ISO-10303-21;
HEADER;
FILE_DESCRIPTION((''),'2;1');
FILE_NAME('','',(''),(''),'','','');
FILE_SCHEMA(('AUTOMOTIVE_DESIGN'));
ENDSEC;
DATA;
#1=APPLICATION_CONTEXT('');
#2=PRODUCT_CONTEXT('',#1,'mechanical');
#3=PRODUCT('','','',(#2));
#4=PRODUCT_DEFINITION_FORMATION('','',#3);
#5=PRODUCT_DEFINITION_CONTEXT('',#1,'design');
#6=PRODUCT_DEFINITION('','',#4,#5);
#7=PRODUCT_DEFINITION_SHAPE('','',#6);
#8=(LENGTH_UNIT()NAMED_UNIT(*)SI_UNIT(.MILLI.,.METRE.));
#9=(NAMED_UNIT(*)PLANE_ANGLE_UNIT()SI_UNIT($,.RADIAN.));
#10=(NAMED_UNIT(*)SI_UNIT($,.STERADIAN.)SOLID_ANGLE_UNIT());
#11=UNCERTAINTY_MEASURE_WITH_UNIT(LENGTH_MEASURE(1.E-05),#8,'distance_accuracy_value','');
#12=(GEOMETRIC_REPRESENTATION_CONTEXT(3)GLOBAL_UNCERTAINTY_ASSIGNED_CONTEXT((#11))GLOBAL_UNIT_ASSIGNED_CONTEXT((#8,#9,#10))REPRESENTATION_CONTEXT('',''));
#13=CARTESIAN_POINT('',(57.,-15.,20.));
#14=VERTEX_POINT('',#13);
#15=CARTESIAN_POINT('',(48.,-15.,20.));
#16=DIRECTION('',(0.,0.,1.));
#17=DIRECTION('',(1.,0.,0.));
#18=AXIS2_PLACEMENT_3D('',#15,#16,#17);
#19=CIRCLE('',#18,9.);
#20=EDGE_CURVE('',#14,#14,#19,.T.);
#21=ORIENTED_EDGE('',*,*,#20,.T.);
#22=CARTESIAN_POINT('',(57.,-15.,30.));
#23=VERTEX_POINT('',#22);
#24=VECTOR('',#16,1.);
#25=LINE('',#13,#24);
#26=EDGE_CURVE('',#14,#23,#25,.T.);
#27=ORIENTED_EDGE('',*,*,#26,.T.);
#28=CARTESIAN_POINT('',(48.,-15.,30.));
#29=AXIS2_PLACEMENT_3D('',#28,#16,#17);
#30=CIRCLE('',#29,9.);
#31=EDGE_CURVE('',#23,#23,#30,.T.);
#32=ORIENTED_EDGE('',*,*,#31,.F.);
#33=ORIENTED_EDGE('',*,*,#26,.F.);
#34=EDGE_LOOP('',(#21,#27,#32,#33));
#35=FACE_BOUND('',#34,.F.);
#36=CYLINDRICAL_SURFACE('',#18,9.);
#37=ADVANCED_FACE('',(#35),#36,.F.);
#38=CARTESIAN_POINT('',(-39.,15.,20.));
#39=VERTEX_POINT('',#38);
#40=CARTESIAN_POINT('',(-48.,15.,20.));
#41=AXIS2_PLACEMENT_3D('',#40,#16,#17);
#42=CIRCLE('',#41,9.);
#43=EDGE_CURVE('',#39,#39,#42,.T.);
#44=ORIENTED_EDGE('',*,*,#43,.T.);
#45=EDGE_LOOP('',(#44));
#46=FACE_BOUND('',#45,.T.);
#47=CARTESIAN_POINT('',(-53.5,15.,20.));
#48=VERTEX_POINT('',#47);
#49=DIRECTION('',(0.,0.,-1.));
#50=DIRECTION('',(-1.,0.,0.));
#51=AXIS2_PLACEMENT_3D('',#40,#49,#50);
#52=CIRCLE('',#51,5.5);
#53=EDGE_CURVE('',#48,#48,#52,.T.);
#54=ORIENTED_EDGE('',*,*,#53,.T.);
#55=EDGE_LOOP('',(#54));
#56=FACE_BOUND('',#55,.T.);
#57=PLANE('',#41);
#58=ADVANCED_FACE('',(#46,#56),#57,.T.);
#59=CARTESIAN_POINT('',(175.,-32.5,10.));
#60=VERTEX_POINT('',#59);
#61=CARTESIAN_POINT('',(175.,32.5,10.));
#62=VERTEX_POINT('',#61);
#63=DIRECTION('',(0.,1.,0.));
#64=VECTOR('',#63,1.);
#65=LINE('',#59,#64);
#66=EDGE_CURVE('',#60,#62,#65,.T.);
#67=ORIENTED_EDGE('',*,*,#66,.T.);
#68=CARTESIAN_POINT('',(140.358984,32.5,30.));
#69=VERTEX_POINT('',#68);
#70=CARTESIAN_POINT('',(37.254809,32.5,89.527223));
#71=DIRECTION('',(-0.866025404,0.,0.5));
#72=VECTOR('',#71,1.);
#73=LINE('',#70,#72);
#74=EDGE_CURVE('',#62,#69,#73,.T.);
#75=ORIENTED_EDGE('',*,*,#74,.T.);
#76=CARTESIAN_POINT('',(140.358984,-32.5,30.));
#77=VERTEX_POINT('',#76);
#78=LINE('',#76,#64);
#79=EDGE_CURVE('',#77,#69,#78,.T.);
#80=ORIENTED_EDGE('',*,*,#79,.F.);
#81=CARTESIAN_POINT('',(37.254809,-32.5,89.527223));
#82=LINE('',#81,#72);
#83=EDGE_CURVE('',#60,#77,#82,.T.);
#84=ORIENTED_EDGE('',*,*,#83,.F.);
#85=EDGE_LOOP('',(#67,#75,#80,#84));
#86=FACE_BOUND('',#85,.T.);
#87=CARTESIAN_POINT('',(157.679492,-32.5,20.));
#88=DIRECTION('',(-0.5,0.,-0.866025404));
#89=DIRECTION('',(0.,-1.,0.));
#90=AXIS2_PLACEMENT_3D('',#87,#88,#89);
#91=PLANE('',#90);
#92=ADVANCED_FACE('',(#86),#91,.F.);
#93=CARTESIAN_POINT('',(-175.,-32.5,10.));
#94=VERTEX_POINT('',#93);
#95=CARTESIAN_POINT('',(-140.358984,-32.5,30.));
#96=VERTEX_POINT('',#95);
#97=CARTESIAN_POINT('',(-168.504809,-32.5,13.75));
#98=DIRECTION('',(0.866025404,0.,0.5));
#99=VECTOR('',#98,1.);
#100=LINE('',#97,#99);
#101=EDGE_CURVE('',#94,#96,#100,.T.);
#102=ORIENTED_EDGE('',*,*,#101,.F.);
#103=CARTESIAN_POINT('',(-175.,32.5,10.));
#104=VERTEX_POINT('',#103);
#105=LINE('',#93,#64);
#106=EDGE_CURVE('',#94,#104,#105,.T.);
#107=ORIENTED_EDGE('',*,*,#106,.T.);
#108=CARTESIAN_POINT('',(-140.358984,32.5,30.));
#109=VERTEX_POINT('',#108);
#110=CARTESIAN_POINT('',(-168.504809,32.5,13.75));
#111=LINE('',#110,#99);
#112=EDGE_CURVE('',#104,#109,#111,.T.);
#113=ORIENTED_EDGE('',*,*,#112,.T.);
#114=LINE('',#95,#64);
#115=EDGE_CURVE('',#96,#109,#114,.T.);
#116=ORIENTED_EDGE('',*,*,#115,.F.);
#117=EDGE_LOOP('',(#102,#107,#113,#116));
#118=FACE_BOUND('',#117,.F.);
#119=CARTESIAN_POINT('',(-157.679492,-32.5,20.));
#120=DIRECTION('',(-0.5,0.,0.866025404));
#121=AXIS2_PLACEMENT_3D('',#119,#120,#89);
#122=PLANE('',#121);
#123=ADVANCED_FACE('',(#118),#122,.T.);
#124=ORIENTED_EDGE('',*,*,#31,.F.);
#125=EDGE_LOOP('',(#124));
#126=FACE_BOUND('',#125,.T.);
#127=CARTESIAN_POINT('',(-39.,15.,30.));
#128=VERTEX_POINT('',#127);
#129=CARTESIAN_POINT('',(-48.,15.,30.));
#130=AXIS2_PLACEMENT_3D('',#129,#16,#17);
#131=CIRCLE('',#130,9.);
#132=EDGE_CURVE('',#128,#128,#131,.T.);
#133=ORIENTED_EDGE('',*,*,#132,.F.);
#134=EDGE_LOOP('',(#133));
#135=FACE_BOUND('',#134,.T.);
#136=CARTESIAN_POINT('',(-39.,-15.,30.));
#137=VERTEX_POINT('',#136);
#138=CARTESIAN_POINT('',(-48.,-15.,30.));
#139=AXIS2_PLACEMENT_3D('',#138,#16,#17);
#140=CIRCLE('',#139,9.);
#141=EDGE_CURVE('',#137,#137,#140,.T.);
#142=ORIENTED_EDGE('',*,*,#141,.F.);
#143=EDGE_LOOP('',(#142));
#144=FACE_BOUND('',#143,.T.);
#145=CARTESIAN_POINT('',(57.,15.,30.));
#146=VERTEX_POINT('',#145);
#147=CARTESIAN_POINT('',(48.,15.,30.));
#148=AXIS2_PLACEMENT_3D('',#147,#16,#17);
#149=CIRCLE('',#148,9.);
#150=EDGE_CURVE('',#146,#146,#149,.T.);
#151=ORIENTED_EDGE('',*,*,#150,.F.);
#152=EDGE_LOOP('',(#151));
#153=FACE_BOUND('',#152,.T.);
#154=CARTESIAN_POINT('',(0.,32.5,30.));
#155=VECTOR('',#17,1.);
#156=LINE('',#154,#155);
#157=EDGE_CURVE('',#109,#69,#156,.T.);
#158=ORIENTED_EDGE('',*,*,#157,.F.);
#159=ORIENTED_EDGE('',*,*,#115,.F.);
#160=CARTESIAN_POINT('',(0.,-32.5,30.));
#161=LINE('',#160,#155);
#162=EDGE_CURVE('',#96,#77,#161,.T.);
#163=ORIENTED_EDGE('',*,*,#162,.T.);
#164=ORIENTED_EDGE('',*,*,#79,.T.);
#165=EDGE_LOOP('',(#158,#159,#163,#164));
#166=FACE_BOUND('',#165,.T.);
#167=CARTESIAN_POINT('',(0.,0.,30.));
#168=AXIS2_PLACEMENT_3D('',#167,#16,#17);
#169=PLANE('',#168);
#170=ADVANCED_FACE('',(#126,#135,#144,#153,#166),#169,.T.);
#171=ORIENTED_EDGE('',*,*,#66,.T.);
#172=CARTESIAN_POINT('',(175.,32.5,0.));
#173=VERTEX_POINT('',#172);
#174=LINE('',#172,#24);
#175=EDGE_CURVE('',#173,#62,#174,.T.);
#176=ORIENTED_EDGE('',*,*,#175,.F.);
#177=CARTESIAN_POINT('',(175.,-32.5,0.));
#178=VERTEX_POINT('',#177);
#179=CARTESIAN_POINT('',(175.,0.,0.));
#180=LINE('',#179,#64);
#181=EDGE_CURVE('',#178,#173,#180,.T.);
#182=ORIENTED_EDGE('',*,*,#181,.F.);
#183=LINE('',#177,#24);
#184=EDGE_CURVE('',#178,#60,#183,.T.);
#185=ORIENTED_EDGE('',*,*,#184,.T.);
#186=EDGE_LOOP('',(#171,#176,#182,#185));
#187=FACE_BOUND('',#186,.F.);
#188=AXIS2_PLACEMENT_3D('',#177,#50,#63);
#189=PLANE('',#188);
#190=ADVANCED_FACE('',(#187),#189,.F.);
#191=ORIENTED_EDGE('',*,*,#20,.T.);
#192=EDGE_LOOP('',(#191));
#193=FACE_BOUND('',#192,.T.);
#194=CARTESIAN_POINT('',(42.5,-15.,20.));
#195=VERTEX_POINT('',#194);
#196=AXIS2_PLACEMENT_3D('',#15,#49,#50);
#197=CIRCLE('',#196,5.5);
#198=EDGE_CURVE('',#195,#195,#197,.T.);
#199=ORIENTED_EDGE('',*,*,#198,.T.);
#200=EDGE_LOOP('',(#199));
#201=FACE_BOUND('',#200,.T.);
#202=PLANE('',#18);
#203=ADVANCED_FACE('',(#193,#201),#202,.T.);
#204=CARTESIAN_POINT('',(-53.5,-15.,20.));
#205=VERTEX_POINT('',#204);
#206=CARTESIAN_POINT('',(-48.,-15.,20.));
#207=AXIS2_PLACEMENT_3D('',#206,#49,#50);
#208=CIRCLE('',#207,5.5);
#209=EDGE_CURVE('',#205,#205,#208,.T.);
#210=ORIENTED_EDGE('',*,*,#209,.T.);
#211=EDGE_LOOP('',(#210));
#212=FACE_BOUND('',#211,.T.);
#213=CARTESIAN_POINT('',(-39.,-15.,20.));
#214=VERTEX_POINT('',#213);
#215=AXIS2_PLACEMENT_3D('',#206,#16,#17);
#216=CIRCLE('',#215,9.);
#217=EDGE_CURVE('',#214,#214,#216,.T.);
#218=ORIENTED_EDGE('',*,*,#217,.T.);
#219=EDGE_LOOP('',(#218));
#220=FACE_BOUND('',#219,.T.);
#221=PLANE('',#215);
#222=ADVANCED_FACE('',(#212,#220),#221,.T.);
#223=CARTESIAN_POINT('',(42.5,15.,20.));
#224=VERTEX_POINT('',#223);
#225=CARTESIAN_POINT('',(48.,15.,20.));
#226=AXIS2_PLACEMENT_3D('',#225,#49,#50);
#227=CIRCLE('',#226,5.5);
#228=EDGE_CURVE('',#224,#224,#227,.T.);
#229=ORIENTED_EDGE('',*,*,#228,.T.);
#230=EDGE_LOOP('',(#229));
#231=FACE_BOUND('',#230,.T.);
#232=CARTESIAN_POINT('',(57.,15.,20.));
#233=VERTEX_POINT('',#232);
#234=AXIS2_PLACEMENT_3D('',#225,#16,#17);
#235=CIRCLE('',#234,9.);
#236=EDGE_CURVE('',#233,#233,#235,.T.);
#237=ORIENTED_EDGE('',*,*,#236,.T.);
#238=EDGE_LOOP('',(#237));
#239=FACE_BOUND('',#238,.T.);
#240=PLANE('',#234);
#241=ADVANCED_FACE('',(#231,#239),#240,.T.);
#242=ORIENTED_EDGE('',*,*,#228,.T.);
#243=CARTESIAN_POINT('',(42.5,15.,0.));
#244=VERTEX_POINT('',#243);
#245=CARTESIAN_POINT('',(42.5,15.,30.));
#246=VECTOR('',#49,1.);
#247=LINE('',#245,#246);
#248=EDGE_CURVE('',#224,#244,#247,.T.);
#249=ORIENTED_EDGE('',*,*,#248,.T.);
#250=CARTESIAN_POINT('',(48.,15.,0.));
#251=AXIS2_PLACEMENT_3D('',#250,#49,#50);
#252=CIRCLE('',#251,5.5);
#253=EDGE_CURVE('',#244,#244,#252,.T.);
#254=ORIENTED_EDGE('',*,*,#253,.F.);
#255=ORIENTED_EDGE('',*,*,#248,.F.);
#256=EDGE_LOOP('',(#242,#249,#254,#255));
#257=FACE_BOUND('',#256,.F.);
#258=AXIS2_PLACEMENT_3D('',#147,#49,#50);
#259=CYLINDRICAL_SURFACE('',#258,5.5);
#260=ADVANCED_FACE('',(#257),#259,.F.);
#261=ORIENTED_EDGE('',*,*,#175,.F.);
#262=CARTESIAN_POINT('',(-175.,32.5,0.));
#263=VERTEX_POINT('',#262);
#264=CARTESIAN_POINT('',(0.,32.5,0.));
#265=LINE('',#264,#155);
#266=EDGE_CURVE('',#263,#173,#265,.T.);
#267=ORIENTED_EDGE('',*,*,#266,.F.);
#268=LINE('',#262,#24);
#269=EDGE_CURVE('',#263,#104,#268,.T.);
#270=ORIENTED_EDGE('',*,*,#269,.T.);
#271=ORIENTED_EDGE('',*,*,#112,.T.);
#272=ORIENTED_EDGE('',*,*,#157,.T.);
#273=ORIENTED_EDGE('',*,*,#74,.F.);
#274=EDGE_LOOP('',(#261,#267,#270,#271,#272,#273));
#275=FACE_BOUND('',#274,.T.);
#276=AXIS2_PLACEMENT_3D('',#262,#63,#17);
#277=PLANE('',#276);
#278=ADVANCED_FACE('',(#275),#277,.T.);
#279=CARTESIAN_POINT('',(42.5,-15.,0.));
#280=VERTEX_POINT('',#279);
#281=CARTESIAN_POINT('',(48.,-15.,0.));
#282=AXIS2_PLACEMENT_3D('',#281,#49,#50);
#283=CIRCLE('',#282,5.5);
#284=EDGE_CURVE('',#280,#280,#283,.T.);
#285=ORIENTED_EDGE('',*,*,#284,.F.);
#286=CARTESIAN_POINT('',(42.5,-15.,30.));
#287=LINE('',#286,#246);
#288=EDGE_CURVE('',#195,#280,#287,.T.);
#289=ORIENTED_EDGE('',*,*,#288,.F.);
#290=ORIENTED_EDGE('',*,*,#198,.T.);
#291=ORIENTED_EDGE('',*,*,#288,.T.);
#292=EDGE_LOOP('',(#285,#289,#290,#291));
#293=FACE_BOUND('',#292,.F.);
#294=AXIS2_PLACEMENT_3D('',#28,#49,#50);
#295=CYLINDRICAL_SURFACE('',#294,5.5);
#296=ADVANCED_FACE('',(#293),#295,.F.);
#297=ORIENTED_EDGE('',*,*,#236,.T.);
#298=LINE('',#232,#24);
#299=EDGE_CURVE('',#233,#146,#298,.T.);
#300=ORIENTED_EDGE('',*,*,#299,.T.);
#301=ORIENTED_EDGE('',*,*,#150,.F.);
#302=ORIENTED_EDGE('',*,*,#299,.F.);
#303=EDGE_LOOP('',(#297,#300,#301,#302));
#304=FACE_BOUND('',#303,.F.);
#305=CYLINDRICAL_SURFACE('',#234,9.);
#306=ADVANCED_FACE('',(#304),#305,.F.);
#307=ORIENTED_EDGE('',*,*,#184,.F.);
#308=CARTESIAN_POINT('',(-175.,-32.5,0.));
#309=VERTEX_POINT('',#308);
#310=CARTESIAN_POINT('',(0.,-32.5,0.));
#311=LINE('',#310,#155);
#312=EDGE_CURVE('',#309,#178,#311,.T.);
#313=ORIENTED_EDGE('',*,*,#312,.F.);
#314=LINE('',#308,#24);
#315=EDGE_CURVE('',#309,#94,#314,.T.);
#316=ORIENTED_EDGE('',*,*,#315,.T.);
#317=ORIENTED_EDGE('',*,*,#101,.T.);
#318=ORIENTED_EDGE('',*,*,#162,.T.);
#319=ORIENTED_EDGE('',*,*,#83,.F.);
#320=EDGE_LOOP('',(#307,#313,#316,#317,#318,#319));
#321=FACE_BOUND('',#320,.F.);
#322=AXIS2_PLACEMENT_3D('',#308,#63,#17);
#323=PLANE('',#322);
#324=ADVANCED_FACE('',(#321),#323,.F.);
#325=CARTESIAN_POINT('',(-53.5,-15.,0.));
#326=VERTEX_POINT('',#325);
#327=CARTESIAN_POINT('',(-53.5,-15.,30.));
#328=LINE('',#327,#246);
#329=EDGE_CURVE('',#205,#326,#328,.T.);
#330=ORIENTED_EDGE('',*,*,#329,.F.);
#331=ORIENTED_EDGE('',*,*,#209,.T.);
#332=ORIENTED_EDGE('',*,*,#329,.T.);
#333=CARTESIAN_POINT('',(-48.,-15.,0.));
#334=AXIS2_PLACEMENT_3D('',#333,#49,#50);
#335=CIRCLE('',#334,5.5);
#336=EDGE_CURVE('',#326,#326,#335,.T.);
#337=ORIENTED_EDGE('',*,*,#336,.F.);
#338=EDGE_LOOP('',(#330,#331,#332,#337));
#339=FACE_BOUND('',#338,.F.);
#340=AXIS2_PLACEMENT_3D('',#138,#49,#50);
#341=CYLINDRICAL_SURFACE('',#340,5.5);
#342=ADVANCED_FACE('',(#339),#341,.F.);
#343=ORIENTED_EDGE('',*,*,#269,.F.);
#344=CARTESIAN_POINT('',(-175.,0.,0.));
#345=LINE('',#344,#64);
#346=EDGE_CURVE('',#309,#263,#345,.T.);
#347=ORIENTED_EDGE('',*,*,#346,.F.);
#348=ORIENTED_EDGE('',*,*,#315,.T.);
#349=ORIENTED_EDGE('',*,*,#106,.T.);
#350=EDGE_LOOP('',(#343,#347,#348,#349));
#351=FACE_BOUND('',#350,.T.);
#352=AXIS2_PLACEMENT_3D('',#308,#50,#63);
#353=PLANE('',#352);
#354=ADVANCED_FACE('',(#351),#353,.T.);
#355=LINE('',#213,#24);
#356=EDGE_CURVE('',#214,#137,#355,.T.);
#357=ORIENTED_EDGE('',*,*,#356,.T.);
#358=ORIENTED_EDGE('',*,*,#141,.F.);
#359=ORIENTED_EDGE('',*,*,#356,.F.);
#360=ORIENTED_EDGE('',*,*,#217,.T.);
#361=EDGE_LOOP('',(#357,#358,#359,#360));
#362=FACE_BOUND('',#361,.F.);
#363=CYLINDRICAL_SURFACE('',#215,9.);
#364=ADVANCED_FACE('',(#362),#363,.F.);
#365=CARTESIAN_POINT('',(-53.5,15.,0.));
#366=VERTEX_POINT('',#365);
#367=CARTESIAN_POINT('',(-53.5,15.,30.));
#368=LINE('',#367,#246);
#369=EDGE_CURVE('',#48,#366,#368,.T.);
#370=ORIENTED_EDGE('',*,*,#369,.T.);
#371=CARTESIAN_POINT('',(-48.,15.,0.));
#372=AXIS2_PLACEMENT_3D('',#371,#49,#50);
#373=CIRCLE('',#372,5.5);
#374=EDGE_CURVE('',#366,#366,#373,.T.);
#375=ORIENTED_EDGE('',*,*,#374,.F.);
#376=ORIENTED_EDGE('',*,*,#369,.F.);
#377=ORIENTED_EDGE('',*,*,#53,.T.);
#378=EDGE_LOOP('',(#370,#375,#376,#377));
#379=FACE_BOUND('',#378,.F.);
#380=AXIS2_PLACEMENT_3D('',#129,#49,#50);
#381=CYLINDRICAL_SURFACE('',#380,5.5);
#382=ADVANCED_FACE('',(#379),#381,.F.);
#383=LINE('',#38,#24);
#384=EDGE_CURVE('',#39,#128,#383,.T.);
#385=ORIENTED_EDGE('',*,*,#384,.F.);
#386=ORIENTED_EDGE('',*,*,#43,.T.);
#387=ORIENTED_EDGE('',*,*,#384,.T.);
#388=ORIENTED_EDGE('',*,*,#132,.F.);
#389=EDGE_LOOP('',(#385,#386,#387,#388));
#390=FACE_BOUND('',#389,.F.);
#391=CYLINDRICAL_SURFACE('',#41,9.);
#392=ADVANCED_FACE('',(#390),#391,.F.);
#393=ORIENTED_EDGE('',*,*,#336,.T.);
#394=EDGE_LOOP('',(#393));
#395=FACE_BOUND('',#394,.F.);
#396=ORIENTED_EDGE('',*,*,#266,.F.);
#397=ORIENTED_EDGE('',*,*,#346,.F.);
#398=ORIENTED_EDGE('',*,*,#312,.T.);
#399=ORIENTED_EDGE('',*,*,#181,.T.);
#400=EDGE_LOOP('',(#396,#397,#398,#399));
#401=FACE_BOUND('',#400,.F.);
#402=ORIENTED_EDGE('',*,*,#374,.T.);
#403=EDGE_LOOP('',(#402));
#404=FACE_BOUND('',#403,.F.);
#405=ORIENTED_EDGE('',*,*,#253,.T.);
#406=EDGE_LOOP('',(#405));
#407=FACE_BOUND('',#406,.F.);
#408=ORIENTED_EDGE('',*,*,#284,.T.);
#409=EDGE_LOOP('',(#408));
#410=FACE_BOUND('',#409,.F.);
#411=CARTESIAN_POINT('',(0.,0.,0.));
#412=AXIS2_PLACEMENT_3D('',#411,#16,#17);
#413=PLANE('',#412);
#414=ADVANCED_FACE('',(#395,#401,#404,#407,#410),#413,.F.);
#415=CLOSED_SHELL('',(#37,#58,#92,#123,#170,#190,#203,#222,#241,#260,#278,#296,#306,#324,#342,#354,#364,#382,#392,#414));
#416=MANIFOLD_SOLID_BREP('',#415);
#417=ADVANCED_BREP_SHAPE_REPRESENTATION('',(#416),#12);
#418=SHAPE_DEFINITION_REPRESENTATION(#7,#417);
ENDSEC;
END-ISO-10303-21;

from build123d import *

# Parameters (mm, degrees)
F0_W           = 350
F0_H           = 65
F1_DEPTH       = 30
F3_D           = 11
F3_CBORE_D     = 18
F3_CBORE_DEPTH = 10
F4_SIZE2       = 34.6410161514
F4_SIZE        = 20
F4_2_SIZE2     = 34.6410161514
F4_2_SIZE      = 20


with BuildPart() as f1:
    # F0 (on Top) → F1 (new body)
    with BuildSketch(Plane.XY):
        Rectangle(F0_W, F0_H)
    extrude(amount=F1_DEPTH)

    # F3 (through all)
    with Locations(Plane.XY.offset(30)):
        with Locations((-48, 15), (48, 15), (48, -15), (-48, -15)):
            CounterBoreHole(F3_D / 2, F3_CBORE_D / 2, F3_CBORE_DEPTH)

    # F4
    f4_edges = [f1.edges().sort_by_distance(p)[0] for p in [
        (-175, 0, 30),
    ]]
    f4_side = f1.faces().sort_by_distance((-175, 0, 15))[0]
    chamfer(f4_edges, length=F4_SIZE, length2=F4_SIZE2, reference=f4_side)

    # F4#2
    f4_2_edges = [f1.edges().sort_by_distance(p)[0] for p in [
        (175, 0, 30),
    ]]
    f4_2_side = f1.faces().sort_by_distance((175, 0, 15))[0]
    chamfer(f4_2_edges, length=F4_2_SIZE, length2=F4_2_SIZE2, reference=f4_2_side)


solid = f1.part
